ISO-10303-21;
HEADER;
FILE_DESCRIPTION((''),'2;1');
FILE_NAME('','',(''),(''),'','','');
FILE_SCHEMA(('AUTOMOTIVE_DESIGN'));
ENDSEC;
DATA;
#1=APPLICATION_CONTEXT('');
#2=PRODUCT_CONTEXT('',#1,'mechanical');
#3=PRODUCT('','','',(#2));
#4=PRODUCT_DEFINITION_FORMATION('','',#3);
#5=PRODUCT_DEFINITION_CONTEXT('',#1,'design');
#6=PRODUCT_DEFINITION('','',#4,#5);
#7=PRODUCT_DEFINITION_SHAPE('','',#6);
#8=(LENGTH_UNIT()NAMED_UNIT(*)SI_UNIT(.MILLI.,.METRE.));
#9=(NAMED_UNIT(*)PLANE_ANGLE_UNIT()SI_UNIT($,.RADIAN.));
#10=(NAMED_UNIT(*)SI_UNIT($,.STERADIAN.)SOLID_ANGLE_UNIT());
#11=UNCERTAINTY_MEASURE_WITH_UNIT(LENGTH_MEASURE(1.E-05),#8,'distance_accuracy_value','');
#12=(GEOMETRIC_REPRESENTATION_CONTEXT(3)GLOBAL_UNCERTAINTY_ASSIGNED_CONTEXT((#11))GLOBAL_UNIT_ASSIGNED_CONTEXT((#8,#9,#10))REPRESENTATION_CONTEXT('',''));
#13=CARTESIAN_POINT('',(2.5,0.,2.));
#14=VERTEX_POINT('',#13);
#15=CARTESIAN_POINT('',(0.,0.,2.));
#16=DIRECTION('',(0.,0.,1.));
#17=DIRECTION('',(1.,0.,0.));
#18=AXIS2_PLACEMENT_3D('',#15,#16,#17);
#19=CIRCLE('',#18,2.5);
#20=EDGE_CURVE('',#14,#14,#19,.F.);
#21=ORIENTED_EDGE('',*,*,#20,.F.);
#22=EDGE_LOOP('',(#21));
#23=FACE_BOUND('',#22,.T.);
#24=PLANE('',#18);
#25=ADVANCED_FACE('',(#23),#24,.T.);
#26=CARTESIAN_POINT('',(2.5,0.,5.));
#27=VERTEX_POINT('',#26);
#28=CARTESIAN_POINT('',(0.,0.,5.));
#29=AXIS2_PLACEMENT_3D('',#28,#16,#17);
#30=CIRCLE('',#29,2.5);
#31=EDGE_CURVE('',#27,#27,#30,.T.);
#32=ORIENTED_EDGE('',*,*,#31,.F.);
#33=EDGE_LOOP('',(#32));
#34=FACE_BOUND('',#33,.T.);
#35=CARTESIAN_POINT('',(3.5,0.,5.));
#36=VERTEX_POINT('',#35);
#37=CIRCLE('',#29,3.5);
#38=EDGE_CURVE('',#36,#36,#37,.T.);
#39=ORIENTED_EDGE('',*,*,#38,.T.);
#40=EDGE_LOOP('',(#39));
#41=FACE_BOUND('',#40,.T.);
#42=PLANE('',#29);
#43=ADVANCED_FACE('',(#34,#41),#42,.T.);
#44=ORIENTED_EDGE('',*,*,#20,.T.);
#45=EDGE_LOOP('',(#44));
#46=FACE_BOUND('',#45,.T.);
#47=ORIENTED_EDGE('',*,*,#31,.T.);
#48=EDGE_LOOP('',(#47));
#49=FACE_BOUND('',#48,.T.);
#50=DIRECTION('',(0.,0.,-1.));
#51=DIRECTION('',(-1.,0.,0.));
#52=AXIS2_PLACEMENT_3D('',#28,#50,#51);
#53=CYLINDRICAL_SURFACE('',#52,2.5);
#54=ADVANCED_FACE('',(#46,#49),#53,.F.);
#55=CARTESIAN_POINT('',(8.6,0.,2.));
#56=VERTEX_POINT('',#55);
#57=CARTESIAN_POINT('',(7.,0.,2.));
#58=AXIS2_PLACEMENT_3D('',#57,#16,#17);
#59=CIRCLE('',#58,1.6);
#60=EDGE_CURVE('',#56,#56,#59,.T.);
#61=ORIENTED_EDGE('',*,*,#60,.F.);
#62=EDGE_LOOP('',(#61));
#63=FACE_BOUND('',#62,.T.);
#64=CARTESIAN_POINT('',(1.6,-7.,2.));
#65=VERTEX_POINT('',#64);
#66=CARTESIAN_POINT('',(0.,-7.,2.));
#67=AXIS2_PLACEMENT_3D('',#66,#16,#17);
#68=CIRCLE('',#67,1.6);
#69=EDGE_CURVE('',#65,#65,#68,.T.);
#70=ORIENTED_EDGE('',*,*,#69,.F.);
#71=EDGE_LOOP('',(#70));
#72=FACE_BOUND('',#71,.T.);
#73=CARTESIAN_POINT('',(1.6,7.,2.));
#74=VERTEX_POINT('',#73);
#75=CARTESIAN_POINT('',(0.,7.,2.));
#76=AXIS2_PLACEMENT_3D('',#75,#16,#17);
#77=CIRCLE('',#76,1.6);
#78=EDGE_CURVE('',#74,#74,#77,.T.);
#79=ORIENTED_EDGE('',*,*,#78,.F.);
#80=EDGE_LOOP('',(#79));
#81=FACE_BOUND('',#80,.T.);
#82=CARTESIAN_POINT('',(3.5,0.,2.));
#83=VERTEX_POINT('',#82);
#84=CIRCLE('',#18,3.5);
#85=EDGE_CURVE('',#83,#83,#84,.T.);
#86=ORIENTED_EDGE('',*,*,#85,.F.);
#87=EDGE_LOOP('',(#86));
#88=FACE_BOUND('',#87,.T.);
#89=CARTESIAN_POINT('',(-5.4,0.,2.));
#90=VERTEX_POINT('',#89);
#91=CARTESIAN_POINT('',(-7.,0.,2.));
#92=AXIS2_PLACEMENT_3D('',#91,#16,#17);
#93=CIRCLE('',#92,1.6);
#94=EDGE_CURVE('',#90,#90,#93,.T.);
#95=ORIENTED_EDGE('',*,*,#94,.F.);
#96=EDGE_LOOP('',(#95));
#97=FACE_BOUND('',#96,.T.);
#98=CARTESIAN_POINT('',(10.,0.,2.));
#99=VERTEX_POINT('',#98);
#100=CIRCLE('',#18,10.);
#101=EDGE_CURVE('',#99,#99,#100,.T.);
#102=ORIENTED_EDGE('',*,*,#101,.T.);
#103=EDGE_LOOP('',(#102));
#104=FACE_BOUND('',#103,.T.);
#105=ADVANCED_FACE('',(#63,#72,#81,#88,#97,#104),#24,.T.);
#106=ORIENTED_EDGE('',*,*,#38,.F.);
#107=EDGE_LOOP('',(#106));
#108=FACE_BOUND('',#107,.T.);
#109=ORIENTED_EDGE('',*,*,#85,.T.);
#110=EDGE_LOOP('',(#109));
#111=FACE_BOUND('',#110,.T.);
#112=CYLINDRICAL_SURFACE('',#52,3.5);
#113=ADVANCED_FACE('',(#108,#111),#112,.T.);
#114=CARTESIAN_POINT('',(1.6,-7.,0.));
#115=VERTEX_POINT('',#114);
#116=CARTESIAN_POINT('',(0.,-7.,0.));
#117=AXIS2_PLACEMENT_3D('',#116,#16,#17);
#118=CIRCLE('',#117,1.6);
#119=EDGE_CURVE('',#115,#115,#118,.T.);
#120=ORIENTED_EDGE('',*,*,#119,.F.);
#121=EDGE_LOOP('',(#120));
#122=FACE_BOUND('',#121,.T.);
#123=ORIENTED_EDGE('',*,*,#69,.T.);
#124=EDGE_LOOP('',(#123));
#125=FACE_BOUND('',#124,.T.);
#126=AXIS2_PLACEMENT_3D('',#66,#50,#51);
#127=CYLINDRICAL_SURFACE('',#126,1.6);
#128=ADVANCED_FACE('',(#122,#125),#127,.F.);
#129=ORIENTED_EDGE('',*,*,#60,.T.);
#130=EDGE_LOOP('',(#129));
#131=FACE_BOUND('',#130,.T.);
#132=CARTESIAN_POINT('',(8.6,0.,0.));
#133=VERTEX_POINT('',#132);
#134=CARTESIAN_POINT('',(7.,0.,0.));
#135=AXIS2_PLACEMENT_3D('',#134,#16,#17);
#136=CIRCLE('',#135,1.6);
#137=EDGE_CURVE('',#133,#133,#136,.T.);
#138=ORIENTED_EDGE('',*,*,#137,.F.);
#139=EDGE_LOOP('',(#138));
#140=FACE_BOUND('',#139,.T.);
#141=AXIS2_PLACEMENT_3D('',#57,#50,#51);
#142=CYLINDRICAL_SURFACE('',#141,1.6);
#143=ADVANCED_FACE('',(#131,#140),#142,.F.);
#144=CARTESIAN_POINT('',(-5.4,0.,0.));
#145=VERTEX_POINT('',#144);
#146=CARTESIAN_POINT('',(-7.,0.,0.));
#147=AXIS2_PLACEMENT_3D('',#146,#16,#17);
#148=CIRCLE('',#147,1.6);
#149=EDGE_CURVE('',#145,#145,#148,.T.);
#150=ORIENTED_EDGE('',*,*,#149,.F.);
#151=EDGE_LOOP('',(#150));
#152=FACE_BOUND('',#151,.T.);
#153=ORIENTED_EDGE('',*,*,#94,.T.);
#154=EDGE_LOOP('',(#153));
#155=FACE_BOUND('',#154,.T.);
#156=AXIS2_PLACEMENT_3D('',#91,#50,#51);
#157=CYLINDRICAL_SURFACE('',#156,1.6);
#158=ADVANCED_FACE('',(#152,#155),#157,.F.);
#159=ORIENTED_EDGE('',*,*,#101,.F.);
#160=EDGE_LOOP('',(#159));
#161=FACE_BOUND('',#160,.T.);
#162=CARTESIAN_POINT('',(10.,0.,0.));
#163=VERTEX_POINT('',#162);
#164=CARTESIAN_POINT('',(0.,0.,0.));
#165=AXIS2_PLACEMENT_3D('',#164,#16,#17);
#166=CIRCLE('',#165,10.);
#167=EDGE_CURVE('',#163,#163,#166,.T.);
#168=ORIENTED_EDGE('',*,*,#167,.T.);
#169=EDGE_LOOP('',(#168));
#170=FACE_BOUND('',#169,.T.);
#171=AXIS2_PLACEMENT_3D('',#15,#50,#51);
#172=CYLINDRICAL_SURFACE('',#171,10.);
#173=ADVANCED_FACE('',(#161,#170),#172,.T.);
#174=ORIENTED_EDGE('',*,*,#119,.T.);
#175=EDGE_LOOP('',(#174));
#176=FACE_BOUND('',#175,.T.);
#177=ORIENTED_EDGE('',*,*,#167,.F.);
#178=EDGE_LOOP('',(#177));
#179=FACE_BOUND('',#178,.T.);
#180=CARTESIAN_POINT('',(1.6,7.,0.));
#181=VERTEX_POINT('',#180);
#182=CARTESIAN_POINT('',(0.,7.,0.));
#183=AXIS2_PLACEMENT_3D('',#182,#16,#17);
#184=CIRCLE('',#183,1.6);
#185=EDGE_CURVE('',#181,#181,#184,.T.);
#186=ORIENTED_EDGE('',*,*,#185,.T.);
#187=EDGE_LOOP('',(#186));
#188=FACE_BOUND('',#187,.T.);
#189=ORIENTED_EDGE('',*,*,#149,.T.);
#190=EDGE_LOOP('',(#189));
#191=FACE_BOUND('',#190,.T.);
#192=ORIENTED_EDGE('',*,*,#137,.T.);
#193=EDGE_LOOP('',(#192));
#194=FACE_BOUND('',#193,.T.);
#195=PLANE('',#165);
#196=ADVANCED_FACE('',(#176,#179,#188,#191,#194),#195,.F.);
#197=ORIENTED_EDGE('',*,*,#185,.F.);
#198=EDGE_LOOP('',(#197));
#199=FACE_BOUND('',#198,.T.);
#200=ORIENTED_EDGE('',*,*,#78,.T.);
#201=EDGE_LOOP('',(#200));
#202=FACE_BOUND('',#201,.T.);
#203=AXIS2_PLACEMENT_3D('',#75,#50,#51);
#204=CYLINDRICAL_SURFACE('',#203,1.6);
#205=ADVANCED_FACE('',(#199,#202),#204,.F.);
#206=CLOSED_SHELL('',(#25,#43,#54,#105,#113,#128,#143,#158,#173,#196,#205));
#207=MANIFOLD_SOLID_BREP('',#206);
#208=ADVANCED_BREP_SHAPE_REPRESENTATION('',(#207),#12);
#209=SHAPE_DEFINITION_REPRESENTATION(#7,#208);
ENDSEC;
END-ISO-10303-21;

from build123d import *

# Parameters (mm, degrees)
SKETCH_1_R      = 10
SKETCH_1_R_2    = 1.6
EXTRUDE_1_DEPTH = 2
SKETCH_2_R      = 3.5
SKETCH_2_R_2    = 2.5
EXTRUDE_2_DEPTH = 3


with BuildPart() as part:
    # ｽｹｯﾁ1 → ﾎﾞｽ - 押し出し1 (new body)
    with BuildSketch(Plane.XY):
        Circle(SKETCH_1_R)
        with Locations((0, 7)):
            Circle(SKETCH_1_R_2, mode=Mode.SUBTRACT)
        with Locations((7, 0)):
            Circle(SKETCH_1_R_2, mode=Mode.SUBTRACT)
        with Locations((-7, 0)):
            Circle(SKETCH_1_R_2, mode=Mode.SUBTRACT)
        with Locations((0, -7)):
            Circle(SKETCH_1_R_2, mode=Mode.SUBTRACT)
    extrude(amount=EXTRUDE_1_DEPTH)

    # ｽｹｯﾁ2 → ﾎﾞｽ - 押し出し2 (add)
    with BuildSketch(Plane.XY.offset(2)):
        Circle(SKETCH_2_R)
        Circle(SKETCH_2_R_2, mode=Mode.SUBTRACT)
    extrude(amount=EXTRUDE_2_DEPTH)


solid = part.part
